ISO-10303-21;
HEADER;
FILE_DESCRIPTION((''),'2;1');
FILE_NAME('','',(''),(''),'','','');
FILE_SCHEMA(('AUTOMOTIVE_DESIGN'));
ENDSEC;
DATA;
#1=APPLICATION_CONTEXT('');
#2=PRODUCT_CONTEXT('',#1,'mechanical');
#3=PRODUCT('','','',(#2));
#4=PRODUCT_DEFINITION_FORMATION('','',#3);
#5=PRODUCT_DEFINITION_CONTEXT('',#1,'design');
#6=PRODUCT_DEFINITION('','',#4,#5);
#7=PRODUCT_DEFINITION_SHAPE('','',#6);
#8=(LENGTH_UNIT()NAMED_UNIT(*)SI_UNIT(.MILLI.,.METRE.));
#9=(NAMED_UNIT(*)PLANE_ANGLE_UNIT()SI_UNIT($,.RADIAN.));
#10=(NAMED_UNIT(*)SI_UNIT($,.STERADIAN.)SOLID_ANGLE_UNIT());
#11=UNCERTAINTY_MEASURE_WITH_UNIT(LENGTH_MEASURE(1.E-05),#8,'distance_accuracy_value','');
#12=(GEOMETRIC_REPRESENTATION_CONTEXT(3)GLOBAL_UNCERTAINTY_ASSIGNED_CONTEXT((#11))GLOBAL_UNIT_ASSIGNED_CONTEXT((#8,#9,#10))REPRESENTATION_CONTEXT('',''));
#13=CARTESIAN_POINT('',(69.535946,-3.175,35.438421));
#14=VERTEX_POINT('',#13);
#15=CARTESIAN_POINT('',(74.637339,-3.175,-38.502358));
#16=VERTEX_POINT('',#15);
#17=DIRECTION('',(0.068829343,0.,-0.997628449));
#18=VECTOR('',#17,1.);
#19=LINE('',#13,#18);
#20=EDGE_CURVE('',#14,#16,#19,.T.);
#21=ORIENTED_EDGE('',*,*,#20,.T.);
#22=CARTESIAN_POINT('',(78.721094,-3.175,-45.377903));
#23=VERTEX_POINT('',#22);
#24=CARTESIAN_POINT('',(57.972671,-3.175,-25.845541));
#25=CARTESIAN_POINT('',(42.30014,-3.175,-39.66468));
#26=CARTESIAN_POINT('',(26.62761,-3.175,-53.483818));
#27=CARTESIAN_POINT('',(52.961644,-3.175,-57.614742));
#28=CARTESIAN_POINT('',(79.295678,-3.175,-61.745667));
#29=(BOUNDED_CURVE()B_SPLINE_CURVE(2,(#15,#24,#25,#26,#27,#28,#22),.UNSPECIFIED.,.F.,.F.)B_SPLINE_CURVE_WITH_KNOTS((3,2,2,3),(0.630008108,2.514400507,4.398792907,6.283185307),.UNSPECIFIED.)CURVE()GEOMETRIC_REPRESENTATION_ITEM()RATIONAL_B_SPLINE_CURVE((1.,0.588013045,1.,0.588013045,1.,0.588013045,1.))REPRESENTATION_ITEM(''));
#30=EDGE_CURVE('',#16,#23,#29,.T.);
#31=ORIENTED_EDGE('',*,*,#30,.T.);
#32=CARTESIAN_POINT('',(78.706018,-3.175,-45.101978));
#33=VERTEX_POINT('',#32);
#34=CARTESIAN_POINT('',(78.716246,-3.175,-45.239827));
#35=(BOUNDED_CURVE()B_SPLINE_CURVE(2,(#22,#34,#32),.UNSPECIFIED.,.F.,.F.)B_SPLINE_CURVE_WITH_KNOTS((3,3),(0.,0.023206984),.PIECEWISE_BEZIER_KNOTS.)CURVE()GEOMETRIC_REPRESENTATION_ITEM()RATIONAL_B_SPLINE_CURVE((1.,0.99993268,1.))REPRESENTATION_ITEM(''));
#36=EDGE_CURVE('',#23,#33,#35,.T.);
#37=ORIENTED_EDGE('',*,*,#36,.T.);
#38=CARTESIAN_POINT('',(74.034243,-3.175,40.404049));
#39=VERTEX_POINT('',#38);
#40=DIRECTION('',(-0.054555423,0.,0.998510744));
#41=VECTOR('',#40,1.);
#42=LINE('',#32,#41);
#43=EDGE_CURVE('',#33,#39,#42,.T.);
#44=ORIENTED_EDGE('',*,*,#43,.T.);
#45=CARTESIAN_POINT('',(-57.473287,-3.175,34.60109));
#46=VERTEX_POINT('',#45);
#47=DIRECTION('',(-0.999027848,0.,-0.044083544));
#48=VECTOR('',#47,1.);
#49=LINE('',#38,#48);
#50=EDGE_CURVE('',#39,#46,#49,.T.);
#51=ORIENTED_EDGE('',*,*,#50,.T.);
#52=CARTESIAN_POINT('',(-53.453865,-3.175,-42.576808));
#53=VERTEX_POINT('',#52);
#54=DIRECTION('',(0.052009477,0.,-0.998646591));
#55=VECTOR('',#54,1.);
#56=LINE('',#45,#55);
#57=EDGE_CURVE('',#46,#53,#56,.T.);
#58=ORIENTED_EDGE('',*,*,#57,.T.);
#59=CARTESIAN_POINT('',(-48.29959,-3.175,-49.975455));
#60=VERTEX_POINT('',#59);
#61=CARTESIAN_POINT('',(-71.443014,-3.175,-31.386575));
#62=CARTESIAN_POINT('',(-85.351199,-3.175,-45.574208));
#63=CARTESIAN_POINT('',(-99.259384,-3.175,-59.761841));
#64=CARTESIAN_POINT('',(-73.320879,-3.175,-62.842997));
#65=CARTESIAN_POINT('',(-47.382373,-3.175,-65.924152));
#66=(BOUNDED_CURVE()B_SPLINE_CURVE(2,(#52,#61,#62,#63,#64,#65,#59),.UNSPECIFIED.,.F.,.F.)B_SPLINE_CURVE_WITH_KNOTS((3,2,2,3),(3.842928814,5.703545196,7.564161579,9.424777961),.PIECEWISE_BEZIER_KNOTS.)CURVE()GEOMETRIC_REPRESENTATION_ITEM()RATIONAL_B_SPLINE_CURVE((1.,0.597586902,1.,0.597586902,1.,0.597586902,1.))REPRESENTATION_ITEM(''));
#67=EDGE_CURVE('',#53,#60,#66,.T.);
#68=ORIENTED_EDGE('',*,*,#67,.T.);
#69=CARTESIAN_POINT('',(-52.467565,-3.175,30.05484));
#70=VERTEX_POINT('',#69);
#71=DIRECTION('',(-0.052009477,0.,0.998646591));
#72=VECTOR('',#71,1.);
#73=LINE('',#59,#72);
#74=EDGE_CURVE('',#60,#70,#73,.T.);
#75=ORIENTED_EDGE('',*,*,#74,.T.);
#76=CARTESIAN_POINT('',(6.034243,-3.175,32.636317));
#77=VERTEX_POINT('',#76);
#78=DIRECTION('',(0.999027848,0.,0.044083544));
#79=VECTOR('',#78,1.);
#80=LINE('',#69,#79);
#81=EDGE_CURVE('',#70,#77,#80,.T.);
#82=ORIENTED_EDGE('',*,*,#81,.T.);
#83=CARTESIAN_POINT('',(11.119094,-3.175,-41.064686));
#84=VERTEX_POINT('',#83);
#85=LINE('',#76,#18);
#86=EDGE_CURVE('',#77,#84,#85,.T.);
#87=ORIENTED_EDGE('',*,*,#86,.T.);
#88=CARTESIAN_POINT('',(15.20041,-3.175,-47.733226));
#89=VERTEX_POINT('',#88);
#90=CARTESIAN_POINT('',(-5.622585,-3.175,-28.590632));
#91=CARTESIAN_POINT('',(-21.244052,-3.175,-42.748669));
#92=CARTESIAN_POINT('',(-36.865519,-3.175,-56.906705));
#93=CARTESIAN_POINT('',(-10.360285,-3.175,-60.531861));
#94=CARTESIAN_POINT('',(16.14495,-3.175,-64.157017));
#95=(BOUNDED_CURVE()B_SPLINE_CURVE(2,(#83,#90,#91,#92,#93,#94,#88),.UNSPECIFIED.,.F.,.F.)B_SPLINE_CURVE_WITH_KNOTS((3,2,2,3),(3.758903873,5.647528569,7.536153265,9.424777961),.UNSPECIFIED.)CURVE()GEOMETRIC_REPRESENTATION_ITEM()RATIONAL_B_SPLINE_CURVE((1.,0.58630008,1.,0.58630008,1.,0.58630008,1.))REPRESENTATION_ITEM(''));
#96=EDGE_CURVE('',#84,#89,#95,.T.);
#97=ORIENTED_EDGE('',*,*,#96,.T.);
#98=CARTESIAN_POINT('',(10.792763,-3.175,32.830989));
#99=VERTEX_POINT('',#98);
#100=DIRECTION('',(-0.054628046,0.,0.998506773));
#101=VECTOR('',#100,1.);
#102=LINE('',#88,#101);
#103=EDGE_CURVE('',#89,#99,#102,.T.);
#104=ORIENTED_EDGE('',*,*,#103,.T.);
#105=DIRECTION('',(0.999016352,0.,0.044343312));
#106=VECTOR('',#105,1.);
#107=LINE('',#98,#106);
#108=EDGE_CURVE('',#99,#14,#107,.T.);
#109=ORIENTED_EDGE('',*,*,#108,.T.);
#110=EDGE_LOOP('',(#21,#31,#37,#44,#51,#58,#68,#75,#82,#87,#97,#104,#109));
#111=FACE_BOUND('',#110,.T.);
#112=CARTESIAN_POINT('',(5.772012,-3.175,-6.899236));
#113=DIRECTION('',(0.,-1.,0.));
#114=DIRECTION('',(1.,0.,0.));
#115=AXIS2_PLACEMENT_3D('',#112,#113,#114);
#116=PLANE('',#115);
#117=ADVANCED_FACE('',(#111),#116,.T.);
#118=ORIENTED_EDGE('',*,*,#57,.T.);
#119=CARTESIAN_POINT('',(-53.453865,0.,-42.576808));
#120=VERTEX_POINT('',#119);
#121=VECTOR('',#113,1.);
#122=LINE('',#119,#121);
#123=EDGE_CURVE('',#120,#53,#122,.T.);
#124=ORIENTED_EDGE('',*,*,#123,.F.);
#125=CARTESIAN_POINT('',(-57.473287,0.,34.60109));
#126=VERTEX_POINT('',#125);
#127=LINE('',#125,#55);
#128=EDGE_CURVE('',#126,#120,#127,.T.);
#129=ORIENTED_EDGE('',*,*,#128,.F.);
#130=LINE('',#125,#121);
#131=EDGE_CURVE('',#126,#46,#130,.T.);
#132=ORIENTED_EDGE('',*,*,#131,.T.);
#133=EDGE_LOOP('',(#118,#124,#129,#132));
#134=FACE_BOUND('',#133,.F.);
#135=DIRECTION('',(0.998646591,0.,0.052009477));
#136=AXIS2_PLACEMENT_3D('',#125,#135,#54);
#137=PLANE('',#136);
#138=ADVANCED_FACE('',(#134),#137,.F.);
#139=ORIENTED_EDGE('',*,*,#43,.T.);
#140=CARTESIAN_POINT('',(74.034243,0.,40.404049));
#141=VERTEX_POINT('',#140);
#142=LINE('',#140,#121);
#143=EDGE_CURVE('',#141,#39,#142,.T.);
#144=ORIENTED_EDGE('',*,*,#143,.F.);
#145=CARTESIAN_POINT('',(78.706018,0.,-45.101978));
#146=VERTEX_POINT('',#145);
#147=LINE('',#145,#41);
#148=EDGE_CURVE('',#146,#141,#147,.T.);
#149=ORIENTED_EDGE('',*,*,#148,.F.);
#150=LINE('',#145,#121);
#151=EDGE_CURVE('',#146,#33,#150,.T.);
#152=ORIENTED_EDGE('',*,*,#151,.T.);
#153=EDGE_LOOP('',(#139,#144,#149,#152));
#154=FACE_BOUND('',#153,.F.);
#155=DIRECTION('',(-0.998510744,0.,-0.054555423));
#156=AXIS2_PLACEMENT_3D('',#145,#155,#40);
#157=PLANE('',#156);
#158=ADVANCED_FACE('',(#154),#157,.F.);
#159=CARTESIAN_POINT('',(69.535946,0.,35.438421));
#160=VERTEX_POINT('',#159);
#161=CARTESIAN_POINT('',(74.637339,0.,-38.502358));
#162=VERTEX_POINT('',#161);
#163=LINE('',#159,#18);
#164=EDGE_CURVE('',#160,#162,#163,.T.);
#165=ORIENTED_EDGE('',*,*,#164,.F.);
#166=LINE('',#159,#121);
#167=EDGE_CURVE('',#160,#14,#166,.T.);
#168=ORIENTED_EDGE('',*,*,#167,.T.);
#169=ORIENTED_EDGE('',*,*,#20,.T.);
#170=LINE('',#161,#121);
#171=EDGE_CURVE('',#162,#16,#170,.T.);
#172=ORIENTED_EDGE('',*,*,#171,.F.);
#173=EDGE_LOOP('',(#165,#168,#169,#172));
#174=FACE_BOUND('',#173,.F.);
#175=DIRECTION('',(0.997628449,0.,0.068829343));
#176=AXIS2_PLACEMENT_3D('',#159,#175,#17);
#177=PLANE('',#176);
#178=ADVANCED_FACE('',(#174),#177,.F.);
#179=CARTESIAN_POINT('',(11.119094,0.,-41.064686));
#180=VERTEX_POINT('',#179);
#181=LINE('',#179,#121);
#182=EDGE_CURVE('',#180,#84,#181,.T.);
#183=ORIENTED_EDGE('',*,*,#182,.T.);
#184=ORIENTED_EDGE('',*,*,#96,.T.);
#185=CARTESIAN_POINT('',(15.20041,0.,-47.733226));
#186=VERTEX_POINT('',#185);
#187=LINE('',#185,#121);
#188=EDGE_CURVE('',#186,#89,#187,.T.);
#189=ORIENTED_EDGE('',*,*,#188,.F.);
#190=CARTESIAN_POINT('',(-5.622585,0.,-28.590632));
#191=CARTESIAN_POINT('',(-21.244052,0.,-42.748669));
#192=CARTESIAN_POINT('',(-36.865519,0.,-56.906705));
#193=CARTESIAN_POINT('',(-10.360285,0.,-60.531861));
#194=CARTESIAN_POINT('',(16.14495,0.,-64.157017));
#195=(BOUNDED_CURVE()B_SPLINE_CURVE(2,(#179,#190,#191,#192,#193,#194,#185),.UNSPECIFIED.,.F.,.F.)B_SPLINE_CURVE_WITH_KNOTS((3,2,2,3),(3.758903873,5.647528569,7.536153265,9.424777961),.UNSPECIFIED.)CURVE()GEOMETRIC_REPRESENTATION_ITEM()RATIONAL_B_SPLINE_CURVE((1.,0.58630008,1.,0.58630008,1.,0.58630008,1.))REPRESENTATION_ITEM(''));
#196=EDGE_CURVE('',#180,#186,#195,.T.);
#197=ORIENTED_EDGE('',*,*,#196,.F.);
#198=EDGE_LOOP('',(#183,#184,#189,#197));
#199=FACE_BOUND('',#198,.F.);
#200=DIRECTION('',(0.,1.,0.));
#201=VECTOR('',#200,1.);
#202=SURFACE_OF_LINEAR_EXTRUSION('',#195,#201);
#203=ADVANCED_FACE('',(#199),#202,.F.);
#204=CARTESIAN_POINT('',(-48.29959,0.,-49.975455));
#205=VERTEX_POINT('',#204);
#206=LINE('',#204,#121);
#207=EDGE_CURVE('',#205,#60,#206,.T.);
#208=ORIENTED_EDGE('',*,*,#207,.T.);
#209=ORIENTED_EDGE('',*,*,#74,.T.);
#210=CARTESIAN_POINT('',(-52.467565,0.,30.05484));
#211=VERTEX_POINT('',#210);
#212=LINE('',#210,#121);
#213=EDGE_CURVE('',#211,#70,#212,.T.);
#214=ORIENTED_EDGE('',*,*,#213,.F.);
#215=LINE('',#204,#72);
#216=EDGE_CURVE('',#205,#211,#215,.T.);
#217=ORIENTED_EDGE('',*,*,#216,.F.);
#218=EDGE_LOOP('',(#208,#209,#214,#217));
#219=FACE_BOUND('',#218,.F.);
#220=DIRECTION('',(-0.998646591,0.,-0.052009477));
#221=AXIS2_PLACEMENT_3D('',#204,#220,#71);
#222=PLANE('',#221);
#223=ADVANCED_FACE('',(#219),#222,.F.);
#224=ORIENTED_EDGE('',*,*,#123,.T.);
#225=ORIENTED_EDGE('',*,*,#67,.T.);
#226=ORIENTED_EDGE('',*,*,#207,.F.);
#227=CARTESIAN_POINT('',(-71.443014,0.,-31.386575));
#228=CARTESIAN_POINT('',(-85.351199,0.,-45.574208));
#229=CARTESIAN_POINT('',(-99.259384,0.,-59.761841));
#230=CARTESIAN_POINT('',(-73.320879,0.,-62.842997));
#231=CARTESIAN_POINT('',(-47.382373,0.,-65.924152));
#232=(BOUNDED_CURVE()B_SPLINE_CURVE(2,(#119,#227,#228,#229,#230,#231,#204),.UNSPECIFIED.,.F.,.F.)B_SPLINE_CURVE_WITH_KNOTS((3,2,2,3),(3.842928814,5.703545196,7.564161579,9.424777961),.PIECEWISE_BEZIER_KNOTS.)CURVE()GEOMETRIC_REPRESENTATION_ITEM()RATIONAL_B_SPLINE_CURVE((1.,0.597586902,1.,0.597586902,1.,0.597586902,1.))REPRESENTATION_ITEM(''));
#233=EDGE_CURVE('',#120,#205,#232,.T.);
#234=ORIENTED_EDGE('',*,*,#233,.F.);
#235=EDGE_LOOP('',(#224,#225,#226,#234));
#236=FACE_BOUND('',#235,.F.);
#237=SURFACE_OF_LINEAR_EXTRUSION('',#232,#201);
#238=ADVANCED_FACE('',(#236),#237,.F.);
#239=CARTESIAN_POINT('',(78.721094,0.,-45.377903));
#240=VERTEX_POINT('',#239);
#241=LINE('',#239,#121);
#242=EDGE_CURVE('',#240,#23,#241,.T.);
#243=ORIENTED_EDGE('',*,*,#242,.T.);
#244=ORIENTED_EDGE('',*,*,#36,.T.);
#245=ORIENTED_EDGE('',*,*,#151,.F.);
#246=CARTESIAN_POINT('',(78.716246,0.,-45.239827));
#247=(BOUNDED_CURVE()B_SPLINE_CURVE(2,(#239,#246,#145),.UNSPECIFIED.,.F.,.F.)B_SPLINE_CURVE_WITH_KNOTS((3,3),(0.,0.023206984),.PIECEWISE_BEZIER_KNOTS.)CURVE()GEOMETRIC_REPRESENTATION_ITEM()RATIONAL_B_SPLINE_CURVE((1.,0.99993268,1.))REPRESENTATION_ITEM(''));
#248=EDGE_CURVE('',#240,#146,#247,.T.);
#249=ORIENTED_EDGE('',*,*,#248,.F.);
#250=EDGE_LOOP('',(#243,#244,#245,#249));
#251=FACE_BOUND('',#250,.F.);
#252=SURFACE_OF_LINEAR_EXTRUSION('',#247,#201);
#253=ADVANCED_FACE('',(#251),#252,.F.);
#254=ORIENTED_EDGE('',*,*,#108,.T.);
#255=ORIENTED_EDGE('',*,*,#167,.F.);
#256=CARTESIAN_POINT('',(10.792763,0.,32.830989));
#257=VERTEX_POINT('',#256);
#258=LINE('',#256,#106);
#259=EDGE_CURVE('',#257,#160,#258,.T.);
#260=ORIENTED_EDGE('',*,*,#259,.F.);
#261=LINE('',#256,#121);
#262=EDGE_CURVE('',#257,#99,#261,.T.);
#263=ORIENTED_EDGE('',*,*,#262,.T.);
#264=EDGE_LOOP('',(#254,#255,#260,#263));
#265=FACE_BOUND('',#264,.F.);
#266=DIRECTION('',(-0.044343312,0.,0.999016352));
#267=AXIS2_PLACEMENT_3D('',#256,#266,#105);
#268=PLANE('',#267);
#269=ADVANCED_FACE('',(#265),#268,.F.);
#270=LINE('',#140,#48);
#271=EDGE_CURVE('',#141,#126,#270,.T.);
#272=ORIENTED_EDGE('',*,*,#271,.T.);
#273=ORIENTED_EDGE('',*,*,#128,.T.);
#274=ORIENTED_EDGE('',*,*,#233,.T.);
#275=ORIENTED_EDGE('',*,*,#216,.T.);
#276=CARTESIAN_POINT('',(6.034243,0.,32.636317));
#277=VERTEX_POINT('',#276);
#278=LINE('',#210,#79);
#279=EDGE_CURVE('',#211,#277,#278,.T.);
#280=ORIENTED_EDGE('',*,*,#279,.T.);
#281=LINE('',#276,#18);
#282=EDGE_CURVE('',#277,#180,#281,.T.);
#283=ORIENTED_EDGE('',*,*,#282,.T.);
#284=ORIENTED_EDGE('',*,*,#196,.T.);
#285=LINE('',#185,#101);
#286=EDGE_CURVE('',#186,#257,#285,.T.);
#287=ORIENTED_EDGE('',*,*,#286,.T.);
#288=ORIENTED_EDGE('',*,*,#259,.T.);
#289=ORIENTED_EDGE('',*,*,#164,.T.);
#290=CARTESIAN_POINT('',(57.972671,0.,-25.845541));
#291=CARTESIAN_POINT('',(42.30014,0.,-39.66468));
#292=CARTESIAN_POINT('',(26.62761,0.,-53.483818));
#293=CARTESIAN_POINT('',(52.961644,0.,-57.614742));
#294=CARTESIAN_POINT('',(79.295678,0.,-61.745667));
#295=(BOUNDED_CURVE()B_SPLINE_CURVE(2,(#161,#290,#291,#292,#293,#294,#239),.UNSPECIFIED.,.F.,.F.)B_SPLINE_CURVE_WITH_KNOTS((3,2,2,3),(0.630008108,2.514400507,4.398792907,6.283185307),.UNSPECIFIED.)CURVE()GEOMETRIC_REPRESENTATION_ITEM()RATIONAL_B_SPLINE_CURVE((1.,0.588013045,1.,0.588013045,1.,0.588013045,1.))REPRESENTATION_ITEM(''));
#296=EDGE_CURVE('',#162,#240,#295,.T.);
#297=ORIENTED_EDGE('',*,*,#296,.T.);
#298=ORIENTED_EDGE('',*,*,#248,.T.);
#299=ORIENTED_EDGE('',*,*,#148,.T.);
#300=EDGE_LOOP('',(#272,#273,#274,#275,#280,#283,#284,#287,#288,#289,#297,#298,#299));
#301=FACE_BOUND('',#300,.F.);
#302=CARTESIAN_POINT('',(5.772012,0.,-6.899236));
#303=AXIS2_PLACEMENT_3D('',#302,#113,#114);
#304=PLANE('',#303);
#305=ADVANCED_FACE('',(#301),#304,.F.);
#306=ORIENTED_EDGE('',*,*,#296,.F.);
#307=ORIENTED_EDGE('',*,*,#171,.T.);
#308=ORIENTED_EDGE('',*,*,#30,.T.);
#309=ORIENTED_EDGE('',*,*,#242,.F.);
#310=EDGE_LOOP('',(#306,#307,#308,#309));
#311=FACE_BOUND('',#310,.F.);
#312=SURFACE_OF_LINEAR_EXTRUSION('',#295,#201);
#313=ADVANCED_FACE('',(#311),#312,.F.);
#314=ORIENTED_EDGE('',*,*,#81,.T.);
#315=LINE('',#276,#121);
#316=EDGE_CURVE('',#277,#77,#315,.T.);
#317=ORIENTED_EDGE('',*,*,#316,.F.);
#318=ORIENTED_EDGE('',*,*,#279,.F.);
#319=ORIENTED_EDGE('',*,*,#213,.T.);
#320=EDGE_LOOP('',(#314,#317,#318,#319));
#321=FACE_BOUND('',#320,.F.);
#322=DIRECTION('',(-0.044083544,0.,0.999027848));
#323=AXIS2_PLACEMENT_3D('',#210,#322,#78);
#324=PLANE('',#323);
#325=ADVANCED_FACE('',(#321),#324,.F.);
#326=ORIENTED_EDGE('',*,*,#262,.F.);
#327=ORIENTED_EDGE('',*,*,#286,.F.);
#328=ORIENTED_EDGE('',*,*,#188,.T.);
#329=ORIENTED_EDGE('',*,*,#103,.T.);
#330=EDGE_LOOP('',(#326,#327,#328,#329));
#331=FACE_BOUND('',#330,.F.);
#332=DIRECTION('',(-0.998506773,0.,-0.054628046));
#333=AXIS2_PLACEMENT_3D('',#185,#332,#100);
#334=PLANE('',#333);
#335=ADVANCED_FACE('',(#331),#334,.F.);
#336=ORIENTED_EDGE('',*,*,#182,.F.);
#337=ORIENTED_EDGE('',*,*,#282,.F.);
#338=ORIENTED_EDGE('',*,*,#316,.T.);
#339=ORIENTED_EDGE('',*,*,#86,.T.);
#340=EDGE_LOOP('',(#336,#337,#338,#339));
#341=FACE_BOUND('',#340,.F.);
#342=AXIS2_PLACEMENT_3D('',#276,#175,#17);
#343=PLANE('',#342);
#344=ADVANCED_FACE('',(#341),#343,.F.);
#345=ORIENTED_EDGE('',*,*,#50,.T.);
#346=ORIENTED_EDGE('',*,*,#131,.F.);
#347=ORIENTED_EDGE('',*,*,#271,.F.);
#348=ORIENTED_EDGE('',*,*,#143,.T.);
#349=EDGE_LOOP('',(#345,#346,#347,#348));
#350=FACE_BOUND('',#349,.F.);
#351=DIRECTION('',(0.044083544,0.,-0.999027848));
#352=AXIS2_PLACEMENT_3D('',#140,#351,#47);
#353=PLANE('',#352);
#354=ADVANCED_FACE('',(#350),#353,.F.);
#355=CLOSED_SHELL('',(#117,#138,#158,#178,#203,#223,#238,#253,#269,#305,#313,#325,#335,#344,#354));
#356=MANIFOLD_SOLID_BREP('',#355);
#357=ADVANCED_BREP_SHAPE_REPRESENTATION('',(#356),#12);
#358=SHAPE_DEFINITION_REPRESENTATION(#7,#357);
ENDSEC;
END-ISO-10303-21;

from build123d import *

# Parameters (mm, degrees)
F1_DEPTH = 3.175


with BuildPart() as f1:
    # F0 (on Front) → F1 (new body)
    with BuildSketch(Plane.XZ):
        with BuildLine():
            Line((-57.4732873639, 34.6010900648), (-53.4538653096, -42.5768082351))
            add(Edge.make_bspline(
                [(-53.4538653096, -42.5768082351), (-71.443014496, -31.3865750907), (-85.3511994486, -45.5742081934), (-99.2593844012, -59.7618412961), (-73.320878871, -62.8429968296), (-47.3823733409, -65.9241523631), (-48.2995897031, -49.9754552992)],
                knots=[3.8429288139, 3.8429288139, 3.8429288139, 5.7035451962, 5.7035451962, 7.5641615785, 7.5641615785, 9.4247779608, 9.4247779608, 9.4247779608], degree=2, weights=[1, 0.5975869017, 1, 0.5975869017, 1, 0.5975869017, 1]))
            Line((-48.2995897031, -49.9754552992), (-52.4675645083, 30.0548404216))
            Line((-52.4675645083, 30.0548404216), (6.0342434698, 32.6363170186))
            Line((6.0342434698, 32.6363170186), (11.1190940851, -41.064685985))
            add(Edge.make_bspline(
                [(11.1190940851, -41.064685985), (-5.6225847224, -28.5906317661), (-21.2440517397, -42.7486685513), (-36.8655187569, -56.9067053364), (-10.3602846142, -60.5318610852), (16.1449495285, -64.157016834), (15.2004102969, -47.733225577)],
                knots=[3.7589038735, 3.7589038735, 3.7589038735, 5.6475285693, 5.6475285693, 7.536153265, 7.536153265, 9.4247779608, 9.4247779608, 9.4247779608], degree=2, weights=[1, 0.5863000804, 1, 0.5863000804, 1, 0.5863000804, 1]))
            Line((15.2004102969, -47.733225577), (10.7927630952, 32.8309891146))
            Line((10.7927630952, 32.8309891146), (69.5359457621, 35.4384211586))
            Line((69.5359457621, 35.4384211586), (74.6373392248, -38.5023577095))
            add(Edge.make_bspline(
                [(74.6373392248, -38.5023577095), (57.9726706524, -25.8455411224), (42.3001402972, -39.6646795375), (26.6276099421, -53.4838179526), (52.9616441452, -57.6147424848), (79.2956783483, -61.7456670169), (78.7210935619, -45.377902516)],
                knots=[0.6300081077, 0.6300081077, 0.6300081077, 2.5144005075, 2.5144005075, 4.3987929073, 4.3987929073, 6.2831853072, 6.2831853072, 6.2831853072], degree=2, weights=[1, 0.5880130451, 1, 0.5880130451, 1, 0.5880130451, 1]))
            Line((78.7210935619, -45.377902516), (78.7060179424, -45.1019781972))
            Line((78.7060179424, -45.1019781972), (74.0342429277, 40.4040493835))
            Line((74.0342429277, 40.4040493835), (-57.4732873639, 34.6010900648))
        make_face()
        with BuildLine():
            add(Edge.make_bspline(
                [(78.7210935619, -45.377902516), (78.7162464781, -45.2398272869), (78.7060179424, -45.1019781972)],
                knots=[0, 0, 0, 0.0232069845, 0.0232069845, 0.0232069845], degree=2, weights=[1, 0.9999326802, 1]))
            Line((78.7060179424, -45.1019781972), (78.7210935619, -45.377902516))
        make_face()
    extrude(amount=F1_DEPTH)


solid = f1.part
